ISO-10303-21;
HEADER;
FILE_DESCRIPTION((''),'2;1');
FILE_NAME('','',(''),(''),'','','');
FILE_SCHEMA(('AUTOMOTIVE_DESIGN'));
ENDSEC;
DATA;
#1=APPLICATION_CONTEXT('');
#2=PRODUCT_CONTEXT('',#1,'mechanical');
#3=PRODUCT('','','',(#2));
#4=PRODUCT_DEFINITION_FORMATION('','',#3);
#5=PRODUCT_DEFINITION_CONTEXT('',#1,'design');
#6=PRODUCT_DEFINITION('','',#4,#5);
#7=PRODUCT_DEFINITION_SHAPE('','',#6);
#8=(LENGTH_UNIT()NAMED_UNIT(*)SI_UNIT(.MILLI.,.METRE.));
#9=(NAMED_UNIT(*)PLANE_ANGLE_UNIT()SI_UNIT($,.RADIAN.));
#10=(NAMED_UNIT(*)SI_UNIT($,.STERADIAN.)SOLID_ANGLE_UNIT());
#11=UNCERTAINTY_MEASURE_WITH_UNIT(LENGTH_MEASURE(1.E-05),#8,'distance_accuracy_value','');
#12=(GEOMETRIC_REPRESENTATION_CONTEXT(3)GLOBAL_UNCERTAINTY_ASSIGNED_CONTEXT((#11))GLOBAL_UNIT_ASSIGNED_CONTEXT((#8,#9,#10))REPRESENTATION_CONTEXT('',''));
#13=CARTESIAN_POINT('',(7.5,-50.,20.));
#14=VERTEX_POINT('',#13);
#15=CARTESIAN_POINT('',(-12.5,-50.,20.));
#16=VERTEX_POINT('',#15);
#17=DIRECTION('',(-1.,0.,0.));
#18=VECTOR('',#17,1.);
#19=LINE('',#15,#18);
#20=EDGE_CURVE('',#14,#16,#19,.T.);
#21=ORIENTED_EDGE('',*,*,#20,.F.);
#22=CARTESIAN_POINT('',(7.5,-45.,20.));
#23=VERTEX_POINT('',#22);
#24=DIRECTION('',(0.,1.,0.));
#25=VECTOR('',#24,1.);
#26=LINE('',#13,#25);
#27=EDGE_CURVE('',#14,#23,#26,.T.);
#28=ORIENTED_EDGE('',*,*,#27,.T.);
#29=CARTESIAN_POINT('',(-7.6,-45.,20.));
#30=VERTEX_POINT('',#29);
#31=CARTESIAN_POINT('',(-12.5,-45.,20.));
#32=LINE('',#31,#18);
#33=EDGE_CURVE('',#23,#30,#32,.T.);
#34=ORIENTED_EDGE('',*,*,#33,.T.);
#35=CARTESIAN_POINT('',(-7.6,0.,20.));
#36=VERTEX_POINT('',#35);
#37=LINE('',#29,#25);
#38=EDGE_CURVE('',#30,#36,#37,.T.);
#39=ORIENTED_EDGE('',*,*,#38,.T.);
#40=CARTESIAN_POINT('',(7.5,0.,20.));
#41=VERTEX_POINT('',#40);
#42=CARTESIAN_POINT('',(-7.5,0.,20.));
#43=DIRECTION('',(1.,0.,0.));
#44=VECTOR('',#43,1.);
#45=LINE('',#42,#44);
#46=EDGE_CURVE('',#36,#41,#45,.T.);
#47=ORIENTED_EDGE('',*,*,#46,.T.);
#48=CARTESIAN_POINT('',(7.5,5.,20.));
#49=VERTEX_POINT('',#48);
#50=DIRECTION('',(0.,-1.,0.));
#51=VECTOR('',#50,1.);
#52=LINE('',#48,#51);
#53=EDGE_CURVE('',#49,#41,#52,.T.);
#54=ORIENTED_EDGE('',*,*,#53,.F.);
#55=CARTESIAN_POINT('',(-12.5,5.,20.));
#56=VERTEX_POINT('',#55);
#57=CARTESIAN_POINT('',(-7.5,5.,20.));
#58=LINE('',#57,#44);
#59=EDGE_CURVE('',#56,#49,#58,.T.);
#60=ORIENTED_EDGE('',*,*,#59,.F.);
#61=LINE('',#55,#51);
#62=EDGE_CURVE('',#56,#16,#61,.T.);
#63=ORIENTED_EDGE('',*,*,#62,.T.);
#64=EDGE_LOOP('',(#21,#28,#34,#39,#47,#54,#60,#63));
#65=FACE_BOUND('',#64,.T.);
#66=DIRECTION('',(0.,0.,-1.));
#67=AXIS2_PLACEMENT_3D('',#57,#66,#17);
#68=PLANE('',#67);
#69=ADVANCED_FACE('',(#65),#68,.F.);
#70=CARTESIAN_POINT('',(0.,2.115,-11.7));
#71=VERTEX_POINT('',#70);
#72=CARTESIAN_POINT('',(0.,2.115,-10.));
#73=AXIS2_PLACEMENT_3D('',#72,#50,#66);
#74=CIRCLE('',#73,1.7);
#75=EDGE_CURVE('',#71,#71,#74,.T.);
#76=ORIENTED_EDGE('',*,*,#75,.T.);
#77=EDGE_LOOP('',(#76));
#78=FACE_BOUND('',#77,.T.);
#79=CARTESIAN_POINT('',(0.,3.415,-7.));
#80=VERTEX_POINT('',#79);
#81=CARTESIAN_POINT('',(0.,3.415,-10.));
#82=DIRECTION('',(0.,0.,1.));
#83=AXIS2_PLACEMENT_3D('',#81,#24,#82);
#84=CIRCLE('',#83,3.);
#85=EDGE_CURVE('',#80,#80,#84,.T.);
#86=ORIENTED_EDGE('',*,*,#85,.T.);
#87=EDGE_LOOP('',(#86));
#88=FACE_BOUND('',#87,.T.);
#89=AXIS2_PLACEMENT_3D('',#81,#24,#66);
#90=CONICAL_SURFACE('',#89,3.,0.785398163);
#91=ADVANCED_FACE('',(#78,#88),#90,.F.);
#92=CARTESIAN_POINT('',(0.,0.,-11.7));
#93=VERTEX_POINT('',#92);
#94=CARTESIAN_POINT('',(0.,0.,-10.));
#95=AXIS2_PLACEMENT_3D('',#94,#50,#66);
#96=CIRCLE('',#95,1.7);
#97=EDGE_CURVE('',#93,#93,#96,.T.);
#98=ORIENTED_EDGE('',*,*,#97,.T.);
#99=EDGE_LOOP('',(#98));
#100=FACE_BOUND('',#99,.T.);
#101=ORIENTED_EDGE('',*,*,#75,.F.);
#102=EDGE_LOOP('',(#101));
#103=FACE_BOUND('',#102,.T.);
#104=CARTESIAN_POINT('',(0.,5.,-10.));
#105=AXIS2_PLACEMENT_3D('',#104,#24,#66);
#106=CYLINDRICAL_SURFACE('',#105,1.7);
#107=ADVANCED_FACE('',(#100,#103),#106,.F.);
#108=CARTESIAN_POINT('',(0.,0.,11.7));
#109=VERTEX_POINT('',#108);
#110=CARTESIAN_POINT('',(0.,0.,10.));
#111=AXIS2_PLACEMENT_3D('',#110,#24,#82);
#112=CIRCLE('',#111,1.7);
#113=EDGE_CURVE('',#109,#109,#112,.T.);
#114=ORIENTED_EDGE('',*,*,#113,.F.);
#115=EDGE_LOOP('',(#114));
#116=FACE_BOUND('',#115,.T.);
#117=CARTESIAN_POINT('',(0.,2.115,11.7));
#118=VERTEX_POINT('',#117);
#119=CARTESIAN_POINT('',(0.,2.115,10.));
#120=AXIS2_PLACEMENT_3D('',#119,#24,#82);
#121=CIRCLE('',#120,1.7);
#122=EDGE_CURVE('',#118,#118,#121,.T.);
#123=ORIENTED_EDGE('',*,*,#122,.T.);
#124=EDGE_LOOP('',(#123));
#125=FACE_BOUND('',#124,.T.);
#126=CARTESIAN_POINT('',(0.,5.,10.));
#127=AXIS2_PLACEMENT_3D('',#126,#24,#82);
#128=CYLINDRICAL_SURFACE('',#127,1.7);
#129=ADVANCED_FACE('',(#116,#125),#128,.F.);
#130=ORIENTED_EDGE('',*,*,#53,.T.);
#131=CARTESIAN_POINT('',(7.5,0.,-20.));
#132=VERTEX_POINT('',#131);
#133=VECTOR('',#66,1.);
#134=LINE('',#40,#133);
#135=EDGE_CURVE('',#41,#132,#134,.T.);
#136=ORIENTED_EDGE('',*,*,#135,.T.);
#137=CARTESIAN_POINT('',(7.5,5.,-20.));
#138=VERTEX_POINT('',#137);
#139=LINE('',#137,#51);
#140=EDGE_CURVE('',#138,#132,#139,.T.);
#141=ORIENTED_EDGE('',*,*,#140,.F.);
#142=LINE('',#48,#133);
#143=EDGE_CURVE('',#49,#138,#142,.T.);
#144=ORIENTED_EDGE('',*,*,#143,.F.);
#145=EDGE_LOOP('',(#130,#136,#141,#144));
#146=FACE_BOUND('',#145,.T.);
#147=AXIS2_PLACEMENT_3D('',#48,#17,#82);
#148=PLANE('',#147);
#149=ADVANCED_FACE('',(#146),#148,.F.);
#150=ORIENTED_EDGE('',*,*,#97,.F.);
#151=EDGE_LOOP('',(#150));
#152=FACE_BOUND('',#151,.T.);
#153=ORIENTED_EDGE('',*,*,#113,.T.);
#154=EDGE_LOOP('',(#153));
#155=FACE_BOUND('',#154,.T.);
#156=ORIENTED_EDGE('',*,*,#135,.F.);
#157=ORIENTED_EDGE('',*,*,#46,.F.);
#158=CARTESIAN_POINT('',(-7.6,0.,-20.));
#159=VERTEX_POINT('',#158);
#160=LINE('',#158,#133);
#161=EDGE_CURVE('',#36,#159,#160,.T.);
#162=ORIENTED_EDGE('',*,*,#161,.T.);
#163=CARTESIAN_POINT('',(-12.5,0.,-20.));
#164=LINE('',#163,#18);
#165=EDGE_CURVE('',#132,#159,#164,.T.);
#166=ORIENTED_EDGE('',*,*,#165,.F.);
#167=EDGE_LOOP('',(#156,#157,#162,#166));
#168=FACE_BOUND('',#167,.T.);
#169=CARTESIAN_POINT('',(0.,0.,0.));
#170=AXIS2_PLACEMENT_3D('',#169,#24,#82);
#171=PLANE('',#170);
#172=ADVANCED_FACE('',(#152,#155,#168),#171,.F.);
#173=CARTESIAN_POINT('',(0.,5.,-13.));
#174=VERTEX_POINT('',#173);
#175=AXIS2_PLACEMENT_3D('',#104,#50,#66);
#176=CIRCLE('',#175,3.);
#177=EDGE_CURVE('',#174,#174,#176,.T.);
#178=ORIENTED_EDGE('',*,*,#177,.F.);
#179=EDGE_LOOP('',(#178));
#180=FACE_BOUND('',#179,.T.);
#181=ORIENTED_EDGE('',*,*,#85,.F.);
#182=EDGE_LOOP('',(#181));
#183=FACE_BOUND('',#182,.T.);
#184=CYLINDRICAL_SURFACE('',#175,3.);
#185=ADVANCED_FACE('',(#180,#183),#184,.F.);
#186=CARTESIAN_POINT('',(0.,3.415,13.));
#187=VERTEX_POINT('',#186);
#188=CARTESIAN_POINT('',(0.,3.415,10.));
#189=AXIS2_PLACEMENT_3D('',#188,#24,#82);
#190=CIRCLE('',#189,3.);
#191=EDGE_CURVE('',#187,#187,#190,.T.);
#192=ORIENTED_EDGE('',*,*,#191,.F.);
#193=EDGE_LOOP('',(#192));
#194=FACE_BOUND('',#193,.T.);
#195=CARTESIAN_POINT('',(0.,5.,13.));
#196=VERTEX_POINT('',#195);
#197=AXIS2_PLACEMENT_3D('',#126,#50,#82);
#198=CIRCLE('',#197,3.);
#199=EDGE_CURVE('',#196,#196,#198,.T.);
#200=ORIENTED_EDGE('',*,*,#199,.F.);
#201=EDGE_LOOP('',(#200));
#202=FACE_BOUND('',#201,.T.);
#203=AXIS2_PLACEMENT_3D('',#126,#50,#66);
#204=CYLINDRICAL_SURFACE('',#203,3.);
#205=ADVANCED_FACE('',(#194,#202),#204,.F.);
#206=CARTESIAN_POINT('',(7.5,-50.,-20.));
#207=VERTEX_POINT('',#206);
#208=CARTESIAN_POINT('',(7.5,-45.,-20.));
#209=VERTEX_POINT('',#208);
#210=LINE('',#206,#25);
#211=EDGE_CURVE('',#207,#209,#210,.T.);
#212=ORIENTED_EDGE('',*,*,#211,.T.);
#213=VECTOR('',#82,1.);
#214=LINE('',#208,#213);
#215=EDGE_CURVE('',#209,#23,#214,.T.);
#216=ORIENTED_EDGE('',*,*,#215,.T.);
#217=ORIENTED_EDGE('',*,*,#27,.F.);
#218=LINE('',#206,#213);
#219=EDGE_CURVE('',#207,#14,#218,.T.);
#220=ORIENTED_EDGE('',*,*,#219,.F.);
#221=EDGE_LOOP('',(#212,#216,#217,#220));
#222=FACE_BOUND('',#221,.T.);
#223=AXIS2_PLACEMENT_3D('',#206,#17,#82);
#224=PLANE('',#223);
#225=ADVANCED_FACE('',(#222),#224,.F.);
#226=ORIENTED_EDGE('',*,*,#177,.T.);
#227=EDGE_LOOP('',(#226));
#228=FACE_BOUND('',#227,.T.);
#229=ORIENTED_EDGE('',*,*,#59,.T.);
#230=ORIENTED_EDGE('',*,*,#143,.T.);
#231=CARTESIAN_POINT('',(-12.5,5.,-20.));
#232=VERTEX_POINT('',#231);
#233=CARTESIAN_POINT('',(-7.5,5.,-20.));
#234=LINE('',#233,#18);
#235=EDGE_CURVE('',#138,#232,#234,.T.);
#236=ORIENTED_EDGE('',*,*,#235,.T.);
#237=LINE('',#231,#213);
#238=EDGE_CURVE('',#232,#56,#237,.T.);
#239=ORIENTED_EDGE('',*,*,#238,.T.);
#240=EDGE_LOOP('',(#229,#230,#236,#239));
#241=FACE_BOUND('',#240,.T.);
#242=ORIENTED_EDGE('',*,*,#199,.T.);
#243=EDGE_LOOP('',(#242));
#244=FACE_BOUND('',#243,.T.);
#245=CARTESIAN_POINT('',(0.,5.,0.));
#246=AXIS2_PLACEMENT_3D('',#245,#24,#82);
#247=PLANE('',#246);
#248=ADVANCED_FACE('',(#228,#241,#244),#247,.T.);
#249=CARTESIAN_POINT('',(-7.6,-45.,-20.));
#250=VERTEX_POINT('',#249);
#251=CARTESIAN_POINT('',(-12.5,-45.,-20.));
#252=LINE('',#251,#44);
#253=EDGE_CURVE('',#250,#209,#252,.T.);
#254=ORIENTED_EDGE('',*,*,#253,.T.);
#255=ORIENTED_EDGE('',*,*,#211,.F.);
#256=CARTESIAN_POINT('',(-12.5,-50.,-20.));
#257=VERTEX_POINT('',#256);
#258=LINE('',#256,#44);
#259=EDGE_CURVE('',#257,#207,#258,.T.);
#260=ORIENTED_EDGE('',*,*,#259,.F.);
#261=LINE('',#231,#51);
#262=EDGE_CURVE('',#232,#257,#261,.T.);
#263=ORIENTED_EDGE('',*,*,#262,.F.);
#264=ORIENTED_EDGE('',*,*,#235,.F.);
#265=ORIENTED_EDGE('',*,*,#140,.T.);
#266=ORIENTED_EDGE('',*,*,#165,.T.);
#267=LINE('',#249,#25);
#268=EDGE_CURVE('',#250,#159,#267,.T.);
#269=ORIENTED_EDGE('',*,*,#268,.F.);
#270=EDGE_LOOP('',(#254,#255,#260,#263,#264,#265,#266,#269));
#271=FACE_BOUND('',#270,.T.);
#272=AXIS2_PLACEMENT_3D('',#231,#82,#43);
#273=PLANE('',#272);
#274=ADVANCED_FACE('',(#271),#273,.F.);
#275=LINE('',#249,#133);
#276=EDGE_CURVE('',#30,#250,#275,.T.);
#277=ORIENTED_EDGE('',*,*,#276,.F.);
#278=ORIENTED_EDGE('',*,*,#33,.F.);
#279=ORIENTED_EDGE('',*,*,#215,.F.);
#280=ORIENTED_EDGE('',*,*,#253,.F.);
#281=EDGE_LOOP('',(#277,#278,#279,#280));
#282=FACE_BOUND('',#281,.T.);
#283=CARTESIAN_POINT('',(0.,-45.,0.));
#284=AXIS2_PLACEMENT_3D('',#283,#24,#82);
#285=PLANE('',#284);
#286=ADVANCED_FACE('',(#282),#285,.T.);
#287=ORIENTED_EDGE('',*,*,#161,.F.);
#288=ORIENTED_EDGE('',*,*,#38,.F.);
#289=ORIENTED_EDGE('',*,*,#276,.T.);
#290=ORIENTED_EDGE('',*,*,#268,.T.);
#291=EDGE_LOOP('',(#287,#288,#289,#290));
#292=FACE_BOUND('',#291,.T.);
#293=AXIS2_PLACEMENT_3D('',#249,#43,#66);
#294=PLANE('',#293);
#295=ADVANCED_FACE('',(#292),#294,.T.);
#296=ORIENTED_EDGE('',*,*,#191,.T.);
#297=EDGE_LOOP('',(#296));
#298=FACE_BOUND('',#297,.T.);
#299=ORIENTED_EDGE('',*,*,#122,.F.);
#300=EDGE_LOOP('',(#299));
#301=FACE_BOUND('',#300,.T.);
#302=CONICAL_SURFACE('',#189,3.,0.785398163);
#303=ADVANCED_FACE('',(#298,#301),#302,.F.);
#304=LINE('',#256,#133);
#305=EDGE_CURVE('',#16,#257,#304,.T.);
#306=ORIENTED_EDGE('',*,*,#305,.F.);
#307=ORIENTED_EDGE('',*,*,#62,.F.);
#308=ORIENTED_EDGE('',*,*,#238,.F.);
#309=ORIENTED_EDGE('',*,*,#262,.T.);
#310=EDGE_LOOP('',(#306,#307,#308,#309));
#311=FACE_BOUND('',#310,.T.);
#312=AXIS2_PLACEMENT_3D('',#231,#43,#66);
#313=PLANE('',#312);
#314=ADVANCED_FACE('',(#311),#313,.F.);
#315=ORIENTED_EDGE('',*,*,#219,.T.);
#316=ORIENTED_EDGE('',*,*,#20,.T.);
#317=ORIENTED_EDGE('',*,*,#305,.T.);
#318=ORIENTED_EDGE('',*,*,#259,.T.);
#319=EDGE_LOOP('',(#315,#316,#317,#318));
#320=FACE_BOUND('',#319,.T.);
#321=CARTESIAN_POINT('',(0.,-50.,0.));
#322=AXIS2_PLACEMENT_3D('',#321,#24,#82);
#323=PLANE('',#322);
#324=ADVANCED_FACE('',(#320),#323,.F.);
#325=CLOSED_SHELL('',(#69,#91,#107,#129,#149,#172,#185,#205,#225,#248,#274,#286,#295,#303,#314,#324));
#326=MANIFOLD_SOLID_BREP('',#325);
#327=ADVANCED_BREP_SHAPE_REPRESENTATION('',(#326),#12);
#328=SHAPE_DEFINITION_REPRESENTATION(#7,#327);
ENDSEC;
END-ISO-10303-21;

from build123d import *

# Parameters (mm, degrees)
BOSS_EXTRUDE1_DEPTH = 5
SKETCH2_W           = 4.9
SKETCH2_H           = 40
BOSS_EXTRUDE2_DEPTH = 45
SKETCH3_W           = 20
SKETCH3_H           = 40
BOSS_EXTRUDE3_DEPTH = 5
SKETCH4_R           = 3
CUT_EXTRUDE1_DEPTH  = 5


with BuildPart() as part:
    # Sketch1 → Boss-Extrude1 (new body)
    with BuildSketch(Plane(origin=(0, 0, 0), x_dir=(1, 0, 0), z_dir=(0, 1, 0))):
        Polygon((-7.5, -20), (7.5, -20), (7.5, 20), (-7.5, 20), (-12.5, 20), (-12.5, -20), align=None)
    extrude(amount=BOSS_EXTRUDE1_DEPTH)

    # Sketch2 → Boss-Extrude2 (add)
    with BuildSketch(Plane(origin=(0, 0, 0), x_dir=(1, 0, 0), z_dir=(0, 1, 0))):
        with Locations((-10.05, 0)):
            Rectangle(SKETCH2_W, SKETCH2_H)
    extrude(amount=-BOSS_EXTRUDE2_DEPTH)

    # Sketch3 → Boss-Extrude3 (add)
    with BuildSketch(Plane.XZ.offset(45)):
        with Locations((-2.5, 0)):
            Rectangle(SKETCH3_W, SKETCH3_H)
    extrude(amount=BOSS_EXTRUDE3_DEPTH)

    # Sketch4 → Cut-Extrude1 (cut)
    with BuildSketch(Plane.XZ):
        with Locations(Location((0, -10, 0), (0, 0, 270))):
            Circle(SKETCH4_R)
        with Locations(Location((0, 10, 0), (0, 0, 90))):
            Circle(SKETCH4_R)
    extrude(amount=-CUT_EXTRUDE1_DEPTH, mode=Mode.SUBTRACT)

    # Sketch5 → Revolve1 (revolve)
    with BuildSketch(Plane(origin=(0, 0, 0), x_dir=(0, -1, 0), z_dir=(-1, 0, 0))):
        Polygon((-3.415, 13), (-2.115, 11.7), (0, 11.7), (0, 13), align=None)
    revolve1 = revolve(axis=Axis((0, 5, 10), (0, -1, 0)))

    # Mirror1: Revolve1 across plane
    add(revolve1.mirror(Plane.XY))


solid = part.part
